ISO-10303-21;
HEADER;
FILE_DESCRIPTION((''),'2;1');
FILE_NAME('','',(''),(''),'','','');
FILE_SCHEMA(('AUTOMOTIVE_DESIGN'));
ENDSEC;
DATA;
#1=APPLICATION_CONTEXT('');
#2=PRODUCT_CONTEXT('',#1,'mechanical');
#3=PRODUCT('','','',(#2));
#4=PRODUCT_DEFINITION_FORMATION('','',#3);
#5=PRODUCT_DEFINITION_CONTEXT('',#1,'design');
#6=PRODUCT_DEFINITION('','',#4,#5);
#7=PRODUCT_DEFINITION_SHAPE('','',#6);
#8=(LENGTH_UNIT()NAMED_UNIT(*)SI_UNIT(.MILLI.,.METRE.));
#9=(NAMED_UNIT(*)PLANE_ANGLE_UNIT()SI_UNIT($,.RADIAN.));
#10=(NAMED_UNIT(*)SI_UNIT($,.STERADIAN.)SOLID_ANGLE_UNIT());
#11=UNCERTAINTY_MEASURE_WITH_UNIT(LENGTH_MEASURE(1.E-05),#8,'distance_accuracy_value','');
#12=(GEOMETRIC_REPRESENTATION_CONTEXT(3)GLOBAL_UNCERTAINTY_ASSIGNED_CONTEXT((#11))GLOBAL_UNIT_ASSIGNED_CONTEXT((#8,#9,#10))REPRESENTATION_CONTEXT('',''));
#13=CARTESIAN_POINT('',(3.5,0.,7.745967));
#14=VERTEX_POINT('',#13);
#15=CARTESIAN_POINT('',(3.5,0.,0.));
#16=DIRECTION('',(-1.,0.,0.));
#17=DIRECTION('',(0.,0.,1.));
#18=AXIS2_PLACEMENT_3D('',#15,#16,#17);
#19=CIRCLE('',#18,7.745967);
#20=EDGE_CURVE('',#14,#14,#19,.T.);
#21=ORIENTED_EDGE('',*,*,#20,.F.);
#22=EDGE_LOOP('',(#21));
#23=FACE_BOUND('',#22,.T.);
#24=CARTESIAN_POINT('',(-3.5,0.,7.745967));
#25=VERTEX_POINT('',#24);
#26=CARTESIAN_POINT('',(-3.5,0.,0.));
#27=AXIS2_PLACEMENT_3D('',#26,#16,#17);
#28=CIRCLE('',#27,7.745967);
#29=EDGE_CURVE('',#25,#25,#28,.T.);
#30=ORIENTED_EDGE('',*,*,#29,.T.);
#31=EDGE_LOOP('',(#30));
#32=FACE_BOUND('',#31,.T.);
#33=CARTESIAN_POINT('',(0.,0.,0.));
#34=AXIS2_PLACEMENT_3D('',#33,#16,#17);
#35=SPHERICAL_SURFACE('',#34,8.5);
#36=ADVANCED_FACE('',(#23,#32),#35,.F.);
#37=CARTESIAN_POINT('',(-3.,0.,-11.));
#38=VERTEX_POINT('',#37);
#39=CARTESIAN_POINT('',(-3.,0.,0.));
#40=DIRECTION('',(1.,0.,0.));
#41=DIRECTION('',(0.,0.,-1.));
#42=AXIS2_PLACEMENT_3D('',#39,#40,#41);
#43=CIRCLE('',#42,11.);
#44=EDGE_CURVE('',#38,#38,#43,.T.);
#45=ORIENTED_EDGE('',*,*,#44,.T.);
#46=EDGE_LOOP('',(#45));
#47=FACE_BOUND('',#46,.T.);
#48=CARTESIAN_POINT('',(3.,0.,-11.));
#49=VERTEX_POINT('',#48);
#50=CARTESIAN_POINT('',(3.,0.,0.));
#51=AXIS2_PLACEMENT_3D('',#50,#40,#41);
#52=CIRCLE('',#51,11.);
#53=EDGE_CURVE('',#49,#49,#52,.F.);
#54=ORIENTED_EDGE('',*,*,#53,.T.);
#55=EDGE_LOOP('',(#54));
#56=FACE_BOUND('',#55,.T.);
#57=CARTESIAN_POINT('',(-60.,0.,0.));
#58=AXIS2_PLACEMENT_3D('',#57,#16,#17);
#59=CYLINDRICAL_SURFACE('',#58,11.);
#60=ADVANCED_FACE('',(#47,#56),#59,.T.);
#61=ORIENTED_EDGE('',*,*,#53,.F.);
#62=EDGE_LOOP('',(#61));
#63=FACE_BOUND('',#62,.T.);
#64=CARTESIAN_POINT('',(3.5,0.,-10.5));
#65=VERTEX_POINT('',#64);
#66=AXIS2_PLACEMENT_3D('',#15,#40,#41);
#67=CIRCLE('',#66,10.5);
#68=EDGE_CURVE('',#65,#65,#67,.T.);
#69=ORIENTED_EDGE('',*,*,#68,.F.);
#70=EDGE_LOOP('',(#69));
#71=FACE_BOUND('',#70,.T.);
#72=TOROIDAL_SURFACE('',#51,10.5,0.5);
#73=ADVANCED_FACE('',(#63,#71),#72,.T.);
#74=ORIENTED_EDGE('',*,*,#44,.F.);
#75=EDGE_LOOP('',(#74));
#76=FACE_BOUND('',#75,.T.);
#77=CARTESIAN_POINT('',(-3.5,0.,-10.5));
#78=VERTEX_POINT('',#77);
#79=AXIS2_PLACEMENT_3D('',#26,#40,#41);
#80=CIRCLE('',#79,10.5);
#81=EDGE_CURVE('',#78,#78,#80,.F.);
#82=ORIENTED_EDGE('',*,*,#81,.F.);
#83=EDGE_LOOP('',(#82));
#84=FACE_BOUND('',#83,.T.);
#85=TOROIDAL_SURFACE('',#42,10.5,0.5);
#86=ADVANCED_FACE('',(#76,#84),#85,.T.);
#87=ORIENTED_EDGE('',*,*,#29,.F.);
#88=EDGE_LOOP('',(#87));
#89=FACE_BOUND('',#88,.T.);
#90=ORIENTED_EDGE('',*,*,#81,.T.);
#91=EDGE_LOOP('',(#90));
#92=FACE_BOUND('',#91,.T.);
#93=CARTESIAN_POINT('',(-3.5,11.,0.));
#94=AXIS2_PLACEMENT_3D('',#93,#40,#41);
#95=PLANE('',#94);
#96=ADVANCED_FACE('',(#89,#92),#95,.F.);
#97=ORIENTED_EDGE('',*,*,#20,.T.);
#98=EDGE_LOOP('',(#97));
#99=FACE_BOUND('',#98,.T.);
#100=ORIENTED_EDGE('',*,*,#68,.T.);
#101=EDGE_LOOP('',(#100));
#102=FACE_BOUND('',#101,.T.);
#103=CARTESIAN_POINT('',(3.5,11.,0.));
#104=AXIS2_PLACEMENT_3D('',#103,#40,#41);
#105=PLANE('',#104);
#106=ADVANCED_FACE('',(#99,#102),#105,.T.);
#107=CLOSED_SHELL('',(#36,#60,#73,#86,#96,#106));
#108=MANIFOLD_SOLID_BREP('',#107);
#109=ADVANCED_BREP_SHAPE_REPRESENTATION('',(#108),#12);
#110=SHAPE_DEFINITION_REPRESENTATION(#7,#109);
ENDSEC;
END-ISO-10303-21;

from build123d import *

# Parameters (mm, degrees)
CONG_1_R = 0.5


with BuildPart() as part:
    # Esquisse1 → Base-Révolution (revolve)
    with BuildSketch(Plane.XY, mode=Mode.PRIVATE) as base_r_volution_sk:
        with BuildLine():
            Line((-3.5, 11), (-3.5, 7.745966692))
            ThreePointArc((-3.5, 7.745966692), (0, 8.5), (3.5, 7.745966692))
            Line((3.5, 7.745966692), (3.5, 11))
            Line((3.5, 11), (-3.5, 11))
        make_face()
    revolve(base_r_volution_sk.sketch.rotate(Axis((-60, 0, 0), (1, 0, 0)), 270), axis=Axis((-60, 0, 0), (1, 0, 0)))

    # Congé1
    cong_1_edges = [part.edges().sort_by_distance(p)[0] for p in [
        (3.5, 0, 11),
        (-3.5, 0, 11),
    ]]
    fillet(cong_1_edges, radius=CONG_1_R)


solid = part.part
